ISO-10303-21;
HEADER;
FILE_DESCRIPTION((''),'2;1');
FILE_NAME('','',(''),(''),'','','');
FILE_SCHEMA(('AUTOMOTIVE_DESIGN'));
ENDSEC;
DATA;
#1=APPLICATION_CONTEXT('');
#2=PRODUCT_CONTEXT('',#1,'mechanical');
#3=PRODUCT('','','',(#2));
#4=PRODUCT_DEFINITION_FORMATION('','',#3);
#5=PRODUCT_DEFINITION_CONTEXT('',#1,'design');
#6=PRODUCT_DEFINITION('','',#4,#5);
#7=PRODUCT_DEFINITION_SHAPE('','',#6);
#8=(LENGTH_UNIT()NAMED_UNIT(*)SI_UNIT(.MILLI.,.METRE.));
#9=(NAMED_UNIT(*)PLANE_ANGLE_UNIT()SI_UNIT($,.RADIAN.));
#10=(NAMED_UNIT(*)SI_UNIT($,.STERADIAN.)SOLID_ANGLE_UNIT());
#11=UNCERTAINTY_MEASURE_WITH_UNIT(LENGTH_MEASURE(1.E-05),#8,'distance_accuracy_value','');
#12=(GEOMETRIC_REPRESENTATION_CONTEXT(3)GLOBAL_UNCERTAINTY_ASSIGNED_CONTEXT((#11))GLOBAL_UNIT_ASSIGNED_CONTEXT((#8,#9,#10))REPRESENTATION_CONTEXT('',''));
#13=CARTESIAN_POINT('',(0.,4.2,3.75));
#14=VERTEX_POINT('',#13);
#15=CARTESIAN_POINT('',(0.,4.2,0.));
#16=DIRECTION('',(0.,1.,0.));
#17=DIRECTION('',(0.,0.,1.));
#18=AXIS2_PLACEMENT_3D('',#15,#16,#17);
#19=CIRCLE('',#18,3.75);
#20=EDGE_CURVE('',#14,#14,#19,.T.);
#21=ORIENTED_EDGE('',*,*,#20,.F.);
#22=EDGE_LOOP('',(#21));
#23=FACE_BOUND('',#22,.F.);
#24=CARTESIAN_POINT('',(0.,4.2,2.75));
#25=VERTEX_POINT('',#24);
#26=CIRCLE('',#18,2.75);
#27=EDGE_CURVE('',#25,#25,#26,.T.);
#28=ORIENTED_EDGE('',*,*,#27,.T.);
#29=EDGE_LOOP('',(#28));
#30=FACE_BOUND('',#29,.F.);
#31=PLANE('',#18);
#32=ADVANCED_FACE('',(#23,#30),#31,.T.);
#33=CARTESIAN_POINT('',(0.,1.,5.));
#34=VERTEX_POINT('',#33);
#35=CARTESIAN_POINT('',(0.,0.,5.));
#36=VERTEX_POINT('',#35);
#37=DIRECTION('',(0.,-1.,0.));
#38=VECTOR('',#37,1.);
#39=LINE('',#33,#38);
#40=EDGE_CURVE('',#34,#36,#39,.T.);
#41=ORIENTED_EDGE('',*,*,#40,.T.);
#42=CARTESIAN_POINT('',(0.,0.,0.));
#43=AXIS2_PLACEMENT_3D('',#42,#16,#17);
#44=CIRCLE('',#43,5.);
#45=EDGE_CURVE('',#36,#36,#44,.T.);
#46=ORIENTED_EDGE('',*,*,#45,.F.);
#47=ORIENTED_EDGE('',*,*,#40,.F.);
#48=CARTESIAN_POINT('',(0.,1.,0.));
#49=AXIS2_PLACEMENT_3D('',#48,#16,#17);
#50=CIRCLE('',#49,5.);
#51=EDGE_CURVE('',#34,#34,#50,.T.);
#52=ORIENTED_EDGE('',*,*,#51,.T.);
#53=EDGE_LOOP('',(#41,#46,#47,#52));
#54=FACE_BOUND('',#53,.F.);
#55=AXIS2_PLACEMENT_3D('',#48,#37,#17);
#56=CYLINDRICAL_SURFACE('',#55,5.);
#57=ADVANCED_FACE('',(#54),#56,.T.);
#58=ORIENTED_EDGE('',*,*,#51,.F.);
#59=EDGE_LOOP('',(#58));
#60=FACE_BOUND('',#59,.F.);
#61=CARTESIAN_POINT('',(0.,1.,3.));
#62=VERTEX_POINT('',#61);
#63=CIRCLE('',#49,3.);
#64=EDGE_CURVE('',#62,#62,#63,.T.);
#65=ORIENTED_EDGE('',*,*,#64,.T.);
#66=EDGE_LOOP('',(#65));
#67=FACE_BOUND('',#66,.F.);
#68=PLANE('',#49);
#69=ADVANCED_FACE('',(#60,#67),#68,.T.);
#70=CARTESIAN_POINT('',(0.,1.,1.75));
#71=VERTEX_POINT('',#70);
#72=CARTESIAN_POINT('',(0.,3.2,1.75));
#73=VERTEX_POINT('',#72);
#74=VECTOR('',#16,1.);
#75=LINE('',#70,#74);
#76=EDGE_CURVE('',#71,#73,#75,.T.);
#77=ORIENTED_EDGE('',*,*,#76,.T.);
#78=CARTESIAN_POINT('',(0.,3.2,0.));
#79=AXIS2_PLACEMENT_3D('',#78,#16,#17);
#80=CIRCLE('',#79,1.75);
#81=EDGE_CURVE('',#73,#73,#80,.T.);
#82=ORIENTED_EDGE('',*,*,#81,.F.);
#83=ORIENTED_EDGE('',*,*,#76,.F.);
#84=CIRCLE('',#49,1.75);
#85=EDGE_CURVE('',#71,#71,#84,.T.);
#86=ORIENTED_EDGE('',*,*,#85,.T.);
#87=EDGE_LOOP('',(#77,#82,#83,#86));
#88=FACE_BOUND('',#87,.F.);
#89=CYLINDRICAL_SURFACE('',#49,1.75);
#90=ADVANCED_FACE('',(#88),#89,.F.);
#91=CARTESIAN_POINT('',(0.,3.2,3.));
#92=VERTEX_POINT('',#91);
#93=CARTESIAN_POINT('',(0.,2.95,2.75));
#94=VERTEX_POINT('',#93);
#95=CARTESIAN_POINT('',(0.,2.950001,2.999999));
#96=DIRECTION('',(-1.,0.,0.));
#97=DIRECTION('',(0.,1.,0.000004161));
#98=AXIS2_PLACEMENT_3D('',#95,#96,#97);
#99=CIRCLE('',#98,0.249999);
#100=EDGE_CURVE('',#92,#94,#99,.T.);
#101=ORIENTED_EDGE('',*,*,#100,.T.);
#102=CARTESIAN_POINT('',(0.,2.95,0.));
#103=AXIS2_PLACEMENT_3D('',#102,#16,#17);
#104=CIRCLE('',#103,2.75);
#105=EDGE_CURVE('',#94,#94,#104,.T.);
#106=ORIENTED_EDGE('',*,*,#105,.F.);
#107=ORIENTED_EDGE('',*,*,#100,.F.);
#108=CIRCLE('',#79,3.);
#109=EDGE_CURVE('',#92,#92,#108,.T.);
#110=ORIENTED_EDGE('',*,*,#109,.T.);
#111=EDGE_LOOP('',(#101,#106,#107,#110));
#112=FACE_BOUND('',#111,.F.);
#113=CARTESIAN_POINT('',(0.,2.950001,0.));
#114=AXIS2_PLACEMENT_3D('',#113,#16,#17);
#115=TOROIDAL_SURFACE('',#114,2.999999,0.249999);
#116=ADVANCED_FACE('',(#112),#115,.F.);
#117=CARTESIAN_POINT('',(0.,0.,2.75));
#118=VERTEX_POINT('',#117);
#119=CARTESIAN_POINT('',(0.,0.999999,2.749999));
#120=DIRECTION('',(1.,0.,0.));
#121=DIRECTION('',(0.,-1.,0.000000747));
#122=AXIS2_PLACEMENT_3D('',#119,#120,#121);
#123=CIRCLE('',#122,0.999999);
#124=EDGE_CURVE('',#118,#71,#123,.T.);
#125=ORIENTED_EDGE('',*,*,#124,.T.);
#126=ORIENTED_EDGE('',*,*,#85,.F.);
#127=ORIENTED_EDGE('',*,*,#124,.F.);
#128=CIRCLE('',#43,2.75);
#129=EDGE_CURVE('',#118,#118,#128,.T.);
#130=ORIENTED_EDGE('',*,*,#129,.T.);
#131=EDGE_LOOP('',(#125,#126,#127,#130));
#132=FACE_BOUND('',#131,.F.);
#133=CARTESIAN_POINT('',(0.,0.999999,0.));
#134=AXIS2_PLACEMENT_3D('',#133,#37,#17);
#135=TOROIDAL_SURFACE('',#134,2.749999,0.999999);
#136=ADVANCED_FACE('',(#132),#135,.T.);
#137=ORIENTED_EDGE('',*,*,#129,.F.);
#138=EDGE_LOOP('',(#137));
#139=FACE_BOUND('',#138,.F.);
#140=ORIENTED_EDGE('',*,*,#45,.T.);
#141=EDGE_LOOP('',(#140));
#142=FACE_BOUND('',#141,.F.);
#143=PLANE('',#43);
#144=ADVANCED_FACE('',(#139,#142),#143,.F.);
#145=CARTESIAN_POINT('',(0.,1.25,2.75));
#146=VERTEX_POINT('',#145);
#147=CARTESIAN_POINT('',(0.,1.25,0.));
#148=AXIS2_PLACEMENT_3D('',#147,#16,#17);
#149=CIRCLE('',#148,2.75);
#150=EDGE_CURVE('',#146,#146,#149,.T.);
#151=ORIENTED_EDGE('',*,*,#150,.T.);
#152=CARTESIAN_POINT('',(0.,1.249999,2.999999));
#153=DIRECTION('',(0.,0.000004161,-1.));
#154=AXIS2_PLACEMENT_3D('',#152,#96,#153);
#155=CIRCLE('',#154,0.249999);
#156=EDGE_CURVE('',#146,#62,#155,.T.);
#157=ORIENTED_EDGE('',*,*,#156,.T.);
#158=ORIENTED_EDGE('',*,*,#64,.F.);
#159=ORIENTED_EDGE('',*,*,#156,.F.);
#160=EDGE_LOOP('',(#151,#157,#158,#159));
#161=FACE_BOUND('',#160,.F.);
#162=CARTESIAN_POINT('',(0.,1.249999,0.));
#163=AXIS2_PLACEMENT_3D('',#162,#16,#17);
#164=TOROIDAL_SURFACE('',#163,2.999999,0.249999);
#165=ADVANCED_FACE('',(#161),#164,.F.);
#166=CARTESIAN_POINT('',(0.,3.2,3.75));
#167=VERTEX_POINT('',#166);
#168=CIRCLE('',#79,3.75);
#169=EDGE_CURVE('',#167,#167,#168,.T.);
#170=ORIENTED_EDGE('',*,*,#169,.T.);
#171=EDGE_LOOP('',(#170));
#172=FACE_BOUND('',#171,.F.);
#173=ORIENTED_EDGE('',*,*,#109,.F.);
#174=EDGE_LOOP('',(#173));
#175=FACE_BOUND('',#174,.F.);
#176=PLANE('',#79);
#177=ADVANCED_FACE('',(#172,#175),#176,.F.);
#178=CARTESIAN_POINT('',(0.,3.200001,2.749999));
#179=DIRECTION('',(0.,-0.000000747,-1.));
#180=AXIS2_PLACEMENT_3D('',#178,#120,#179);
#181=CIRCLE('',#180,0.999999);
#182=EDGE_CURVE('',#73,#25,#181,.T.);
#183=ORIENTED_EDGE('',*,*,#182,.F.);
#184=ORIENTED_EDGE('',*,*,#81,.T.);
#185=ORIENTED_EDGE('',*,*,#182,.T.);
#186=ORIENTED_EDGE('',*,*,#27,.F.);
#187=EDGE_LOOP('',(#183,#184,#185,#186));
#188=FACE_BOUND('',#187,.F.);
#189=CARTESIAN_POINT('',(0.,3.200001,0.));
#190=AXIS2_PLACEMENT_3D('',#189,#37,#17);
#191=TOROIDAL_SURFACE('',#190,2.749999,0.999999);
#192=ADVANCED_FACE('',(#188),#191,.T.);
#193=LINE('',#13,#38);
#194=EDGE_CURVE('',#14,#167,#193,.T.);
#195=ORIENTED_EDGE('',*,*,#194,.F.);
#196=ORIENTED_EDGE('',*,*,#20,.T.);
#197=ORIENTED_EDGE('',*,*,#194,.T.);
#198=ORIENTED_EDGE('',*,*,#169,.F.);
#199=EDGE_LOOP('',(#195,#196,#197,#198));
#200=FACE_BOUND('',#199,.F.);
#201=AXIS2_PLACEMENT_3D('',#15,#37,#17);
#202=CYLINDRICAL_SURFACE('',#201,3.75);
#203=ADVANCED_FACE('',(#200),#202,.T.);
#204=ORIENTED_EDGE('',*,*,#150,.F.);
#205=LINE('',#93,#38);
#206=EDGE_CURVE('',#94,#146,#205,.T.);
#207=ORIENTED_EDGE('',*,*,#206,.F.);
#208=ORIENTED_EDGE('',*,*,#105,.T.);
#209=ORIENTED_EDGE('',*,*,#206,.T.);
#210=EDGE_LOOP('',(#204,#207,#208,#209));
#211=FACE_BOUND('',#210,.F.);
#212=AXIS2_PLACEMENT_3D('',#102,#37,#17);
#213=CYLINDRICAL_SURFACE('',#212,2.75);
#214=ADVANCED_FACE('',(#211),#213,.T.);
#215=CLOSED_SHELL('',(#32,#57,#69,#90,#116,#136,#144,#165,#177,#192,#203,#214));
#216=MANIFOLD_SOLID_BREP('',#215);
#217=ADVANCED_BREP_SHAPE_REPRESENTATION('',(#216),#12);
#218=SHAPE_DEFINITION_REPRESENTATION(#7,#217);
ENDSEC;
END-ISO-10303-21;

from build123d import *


with BuildPart() as f1:
    # F0 (on Right) → F1 (revolve)
    with BuildSketch(Plane.YZ):
        with BuildLine():
            Line((1, 3), (1, 5))
            Line((1, 5), (0, 5))
            Line((0, 5), (0, 2.75))
            ThreePointArc((0, 2.75), (0.292893, 2.042893), (1, 1.75))
            Line((1, 1.75), (3.2, 1.75))
            ThreePointArc((3.2, 1.75), (3.907107, 2.042893), (4.2, 2.75))
            Line((4.2, 2.75), (4.2, 3.75))
            Line((4.2, 3.75), (3.2, 3.75))
            Line((3.2, 3.75), (3.2, 3))
            ThreePointArc((3.2, 3), (3.126777, 2.823223), (2.95, 2.75))
            Line((2.95, 2.75), (1.25, 2.75))
            ThreePointArc((1.25, 2.75), (1.073223, 2.823223), (1, 3))
        make_face()
    revolve(axis=Axis((0, 2.1, 0), (0, 1, 0)))


solid = f1.part
